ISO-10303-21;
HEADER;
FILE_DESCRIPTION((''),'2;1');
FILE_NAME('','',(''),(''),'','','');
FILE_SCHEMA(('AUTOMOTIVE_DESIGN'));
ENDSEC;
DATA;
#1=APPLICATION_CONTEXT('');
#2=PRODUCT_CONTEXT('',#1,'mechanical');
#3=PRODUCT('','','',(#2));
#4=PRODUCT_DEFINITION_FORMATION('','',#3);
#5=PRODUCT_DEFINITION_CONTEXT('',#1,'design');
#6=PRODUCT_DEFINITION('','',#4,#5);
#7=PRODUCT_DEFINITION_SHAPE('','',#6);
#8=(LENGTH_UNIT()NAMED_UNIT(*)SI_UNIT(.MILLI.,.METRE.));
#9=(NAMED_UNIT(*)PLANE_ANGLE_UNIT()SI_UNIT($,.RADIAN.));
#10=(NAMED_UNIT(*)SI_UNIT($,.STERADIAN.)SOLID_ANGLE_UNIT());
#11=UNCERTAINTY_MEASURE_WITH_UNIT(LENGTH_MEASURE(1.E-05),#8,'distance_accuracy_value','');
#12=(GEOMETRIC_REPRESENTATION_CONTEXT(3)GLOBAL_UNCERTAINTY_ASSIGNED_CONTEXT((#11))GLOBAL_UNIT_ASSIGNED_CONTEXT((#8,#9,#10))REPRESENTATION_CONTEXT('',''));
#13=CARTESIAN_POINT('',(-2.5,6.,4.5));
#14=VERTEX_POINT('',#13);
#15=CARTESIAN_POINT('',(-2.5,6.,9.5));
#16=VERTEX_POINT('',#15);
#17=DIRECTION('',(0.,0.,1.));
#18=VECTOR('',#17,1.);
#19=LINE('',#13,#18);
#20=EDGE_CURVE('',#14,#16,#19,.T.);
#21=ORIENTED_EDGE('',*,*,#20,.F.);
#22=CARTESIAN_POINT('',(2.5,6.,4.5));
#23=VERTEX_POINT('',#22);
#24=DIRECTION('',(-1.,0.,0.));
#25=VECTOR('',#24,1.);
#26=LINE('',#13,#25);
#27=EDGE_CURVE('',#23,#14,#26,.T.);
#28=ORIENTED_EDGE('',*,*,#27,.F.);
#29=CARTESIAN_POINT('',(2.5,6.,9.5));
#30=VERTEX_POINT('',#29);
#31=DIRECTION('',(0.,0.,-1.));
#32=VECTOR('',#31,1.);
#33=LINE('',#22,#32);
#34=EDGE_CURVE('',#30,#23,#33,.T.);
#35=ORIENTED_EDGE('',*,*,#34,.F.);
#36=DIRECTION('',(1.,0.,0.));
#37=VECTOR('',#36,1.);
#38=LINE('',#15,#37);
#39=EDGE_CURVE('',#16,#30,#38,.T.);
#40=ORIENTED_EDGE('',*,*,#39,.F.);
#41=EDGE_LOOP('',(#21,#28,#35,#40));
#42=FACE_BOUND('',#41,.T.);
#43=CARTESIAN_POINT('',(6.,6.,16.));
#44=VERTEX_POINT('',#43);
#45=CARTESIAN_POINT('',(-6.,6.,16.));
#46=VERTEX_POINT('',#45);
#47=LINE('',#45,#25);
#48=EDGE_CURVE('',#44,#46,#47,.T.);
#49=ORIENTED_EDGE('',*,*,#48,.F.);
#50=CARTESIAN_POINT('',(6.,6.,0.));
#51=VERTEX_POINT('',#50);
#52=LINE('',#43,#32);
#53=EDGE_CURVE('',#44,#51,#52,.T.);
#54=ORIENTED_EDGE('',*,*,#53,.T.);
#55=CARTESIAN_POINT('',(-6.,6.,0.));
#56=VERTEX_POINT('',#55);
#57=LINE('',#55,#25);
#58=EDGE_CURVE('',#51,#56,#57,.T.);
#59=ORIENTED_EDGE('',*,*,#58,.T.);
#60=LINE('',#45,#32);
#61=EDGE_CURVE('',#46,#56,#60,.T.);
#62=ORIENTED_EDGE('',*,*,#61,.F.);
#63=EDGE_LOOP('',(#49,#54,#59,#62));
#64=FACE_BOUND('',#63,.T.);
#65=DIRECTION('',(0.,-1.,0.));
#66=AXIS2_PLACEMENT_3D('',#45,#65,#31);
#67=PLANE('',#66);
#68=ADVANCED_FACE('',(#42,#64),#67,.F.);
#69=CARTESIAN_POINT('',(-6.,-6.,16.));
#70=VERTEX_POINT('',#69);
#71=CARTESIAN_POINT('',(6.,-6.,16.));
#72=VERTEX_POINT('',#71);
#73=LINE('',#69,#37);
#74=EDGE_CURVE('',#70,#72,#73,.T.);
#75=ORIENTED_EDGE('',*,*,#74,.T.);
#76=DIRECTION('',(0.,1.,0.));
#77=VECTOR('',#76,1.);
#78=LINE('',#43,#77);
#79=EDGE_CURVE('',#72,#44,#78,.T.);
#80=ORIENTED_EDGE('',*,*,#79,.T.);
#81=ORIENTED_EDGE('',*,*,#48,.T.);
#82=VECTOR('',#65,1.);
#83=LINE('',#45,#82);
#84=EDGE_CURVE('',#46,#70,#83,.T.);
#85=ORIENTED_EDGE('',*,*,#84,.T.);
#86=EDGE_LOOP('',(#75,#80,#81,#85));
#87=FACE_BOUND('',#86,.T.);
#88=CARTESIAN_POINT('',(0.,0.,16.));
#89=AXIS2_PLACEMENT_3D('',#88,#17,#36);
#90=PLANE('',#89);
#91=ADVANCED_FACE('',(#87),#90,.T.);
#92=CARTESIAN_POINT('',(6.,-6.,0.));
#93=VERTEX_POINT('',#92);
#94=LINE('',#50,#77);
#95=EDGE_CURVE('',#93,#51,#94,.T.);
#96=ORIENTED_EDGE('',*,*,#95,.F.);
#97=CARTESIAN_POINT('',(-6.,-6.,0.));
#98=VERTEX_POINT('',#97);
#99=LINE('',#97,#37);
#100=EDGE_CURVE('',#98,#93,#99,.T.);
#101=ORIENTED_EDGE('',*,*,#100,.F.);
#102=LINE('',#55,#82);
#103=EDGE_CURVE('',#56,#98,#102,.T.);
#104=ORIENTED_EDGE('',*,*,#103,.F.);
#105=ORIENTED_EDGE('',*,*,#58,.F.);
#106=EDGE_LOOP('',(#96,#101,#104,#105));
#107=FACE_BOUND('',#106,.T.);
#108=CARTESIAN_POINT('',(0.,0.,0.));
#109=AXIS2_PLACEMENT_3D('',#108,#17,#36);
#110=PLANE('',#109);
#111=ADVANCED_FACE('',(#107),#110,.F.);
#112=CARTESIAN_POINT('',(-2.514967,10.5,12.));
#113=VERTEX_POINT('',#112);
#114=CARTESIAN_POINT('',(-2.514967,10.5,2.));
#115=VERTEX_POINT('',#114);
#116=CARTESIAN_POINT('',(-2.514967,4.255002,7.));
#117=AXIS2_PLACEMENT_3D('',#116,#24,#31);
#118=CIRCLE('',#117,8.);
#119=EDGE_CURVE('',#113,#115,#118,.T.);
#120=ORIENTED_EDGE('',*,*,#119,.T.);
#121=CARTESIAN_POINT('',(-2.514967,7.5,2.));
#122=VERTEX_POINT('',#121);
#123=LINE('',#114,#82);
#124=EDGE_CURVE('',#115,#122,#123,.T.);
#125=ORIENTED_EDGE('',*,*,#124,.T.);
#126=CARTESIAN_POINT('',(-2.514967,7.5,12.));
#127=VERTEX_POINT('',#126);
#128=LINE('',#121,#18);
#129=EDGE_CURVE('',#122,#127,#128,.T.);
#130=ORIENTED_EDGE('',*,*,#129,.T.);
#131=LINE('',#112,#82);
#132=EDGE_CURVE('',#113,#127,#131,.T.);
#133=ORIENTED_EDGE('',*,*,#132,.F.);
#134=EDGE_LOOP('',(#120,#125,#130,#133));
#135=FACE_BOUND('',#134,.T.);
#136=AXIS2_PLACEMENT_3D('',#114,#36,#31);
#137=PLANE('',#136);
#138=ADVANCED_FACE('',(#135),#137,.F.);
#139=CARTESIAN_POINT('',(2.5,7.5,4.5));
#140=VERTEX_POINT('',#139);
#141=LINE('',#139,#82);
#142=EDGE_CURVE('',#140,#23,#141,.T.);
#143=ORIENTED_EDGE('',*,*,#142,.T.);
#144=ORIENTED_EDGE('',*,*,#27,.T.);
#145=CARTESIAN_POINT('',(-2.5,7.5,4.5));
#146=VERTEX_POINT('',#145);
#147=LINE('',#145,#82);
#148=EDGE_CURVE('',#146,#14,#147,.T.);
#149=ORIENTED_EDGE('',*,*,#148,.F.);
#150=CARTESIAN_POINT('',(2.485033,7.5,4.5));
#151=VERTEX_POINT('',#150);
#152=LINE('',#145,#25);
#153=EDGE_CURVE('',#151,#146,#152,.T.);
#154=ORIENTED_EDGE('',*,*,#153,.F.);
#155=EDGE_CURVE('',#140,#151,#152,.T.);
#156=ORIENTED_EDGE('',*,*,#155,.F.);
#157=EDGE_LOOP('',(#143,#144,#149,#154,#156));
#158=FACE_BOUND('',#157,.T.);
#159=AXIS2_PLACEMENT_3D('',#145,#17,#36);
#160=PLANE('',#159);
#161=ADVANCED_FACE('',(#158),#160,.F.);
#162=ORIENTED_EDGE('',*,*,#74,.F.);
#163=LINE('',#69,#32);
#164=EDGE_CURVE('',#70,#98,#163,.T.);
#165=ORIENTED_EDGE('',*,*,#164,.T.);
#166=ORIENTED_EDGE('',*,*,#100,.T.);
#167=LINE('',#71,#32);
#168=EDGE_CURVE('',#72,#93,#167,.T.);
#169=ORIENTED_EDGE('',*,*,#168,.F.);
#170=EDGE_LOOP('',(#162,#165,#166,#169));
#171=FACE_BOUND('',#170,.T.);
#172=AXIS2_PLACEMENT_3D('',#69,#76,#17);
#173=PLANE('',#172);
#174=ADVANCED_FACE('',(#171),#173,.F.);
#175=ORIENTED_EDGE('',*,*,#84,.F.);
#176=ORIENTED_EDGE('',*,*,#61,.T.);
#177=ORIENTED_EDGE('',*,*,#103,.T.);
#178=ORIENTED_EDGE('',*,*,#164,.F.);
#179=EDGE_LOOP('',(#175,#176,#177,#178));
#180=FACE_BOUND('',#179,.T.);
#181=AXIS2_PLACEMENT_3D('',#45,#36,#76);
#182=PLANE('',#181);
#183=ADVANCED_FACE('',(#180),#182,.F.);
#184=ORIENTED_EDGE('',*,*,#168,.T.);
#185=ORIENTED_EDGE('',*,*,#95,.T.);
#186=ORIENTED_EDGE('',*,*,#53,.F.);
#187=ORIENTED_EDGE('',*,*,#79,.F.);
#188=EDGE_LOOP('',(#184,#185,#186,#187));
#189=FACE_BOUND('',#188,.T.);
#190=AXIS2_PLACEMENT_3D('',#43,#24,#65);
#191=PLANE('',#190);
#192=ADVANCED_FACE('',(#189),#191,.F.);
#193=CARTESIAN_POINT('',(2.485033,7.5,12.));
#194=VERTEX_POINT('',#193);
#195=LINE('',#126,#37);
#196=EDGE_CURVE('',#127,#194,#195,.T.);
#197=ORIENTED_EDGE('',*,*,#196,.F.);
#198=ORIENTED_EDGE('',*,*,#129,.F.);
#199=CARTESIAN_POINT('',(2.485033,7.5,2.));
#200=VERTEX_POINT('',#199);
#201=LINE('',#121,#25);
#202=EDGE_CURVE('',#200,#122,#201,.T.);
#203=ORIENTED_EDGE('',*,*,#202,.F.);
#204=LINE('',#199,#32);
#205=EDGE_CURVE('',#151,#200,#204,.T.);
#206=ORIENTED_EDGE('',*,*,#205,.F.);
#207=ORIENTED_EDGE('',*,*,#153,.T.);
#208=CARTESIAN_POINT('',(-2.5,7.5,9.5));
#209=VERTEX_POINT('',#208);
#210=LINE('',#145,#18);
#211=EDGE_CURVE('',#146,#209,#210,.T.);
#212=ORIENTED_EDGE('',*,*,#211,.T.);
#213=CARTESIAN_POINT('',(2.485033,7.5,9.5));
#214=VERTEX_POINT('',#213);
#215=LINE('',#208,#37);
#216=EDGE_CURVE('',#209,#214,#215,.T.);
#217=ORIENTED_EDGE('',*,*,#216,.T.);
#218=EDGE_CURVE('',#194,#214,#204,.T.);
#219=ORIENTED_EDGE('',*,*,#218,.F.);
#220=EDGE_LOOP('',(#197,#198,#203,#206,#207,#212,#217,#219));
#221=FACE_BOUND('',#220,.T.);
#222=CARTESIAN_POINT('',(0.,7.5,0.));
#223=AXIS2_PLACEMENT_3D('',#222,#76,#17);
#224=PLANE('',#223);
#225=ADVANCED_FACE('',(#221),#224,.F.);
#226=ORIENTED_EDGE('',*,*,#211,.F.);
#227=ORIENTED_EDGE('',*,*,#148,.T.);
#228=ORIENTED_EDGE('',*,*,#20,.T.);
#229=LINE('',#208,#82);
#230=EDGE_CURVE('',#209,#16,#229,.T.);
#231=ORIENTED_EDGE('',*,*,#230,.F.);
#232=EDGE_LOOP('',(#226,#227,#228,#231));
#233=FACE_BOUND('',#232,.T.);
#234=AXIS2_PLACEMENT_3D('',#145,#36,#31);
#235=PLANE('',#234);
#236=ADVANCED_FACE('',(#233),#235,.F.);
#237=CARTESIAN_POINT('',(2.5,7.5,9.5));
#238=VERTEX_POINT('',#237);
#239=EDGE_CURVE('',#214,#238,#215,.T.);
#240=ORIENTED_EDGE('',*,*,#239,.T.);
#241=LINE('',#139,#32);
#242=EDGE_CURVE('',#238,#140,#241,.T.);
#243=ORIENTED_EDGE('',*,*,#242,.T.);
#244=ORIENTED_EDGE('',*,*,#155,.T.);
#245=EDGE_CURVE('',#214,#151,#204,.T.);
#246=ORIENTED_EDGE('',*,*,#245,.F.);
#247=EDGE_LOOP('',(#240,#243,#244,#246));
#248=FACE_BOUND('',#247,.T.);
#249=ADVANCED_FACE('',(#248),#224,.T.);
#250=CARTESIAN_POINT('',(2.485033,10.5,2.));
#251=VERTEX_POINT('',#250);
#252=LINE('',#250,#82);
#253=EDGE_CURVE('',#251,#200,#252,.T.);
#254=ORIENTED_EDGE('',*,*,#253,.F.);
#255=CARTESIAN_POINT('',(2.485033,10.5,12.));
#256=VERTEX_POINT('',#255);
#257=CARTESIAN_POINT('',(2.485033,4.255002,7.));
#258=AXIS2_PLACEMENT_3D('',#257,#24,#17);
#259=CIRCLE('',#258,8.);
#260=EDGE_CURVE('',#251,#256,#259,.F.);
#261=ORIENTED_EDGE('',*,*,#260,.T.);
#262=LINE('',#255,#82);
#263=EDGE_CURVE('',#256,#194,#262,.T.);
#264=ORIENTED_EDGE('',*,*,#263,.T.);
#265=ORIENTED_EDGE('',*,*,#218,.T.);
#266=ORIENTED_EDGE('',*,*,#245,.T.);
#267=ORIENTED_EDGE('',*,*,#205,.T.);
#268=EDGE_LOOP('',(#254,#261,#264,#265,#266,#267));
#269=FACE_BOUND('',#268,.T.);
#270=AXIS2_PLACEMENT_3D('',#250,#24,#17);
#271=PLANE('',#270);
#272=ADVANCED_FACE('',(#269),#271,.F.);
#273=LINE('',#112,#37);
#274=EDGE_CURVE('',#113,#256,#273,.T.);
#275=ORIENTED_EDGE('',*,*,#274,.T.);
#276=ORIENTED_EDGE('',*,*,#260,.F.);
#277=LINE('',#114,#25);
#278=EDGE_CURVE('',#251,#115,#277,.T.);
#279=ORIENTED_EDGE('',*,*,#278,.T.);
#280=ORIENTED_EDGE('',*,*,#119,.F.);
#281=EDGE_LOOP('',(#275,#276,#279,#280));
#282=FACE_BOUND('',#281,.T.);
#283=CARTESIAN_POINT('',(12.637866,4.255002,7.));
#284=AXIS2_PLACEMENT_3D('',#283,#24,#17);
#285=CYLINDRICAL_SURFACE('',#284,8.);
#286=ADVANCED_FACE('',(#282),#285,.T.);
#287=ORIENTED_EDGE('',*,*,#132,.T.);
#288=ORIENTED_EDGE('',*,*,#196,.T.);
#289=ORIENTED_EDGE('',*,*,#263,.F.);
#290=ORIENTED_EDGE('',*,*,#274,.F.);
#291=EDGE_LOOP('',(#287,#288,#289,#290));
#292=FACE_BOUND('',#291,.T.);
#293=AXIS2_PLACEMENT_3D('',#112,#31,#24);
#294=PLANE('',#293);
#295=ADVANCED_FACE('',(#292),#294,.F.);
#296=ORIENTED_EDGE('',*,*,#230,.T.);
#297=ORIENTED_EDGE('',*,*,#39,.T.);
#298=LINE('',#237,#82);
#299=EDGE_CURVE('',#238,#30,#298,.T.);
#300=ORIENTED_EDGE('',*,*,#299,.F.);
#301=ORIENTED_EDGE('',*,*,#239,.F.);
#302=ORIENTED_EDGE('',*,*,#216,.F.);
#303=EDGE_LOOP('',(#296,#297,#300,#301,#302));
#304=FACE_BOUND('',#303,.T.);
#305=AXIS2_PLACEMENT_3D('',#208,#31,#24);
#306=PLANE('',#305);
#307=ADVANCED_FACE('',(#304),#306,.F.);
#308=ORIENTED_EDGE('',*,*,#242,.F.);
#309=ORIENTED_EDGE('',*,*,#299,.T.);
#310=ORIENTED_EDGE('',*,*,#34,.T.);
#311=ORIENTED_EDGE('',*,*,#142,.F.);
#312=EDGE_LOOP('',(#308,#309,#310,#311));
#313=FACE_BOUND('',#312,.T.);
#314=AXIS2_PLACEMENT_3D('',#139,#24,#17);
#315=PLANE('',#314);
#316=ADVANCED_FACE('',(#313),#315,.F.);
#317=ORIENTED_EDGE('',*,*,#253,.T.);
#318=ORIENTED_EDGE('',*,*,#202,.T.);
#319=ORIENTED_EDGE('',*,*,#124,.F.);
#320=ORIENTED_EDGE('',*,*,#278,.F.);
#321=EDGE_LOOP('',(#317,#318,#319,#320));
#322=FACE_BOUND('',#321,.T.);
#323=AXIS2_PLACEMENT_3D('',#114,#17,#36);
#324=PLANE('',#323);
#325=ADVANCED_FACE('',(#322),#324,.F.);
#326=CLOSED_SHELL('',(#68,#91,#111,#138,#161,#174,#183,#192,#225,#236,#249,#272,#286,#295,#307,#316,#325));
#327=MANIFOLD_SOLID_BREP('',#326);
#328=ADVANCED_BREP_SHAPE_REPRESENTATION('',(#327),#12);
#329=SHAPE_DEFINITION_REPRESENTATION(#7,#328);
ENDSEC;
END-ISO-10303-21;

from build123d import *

# Parameters (mm, degrees)
SKETCH_1_W      = 12
SKETCH_1_H      = 12
EXTRUDE_1_DEPTH = 16
SKETCH_2_W      = 5
SKETCH_2_H      = 5
EXTRUDE_2_DEPTH = 1.5
SKETCH_3_W      = 5
SKETCH_3_H      = 10
EXTRUDE_3_DEPTH = 3
EXTRUDE_4_DEPTH = 5


with BuildPart() as part:
    # 스케치1 → 보스-돌출1 (new body)
    with BuildSketch(Plane.XY):
        Rectangle(SKETCH_1_W, SKETCH_1_H)
    extrude(amount=EXTRUDE_1_DEPTH)

    # 스케치2 → 보스-돌출2 (add)
    with BuildSketch(Plane(origin=(0, 6, 0), x_dir=(1, 0, 0), z_dir=(0, 1, 0))):
        with Locations((0, -7)):
            Rectangle(SKETCH_2_W, SKETCH_2_H)
    extrude(amount=EXTRUDE_2_DEPTH)

    # 스케치3 → 보스-돌출3 (add)
    with BuildSketch(Plane(origin=(0, 7.5, 0), x_dir=(1, 0, 0), z_dir=(0, 1, 0))):
        with Locations((-0.014967469, -7)):
            Rectangle(SKETCH_3_W, SKETCH_3_H)
    extrude(amount=EXTRUDE_3_DEPTH)

    # 스케치4 → 보스-돌출4 (add)
    with BuildSketch(Plane.ZY.offset(2.514967469)):
        with BuildLine():
            Line((2, 10.5), (12, 10.5))
            ThreePointArc((12, 10.5), (7, 12.255002002), (2, 10.5))
        make_face()
    extrude(amount=-EXTRUDE_4_DEPTH)


solid = part.part
